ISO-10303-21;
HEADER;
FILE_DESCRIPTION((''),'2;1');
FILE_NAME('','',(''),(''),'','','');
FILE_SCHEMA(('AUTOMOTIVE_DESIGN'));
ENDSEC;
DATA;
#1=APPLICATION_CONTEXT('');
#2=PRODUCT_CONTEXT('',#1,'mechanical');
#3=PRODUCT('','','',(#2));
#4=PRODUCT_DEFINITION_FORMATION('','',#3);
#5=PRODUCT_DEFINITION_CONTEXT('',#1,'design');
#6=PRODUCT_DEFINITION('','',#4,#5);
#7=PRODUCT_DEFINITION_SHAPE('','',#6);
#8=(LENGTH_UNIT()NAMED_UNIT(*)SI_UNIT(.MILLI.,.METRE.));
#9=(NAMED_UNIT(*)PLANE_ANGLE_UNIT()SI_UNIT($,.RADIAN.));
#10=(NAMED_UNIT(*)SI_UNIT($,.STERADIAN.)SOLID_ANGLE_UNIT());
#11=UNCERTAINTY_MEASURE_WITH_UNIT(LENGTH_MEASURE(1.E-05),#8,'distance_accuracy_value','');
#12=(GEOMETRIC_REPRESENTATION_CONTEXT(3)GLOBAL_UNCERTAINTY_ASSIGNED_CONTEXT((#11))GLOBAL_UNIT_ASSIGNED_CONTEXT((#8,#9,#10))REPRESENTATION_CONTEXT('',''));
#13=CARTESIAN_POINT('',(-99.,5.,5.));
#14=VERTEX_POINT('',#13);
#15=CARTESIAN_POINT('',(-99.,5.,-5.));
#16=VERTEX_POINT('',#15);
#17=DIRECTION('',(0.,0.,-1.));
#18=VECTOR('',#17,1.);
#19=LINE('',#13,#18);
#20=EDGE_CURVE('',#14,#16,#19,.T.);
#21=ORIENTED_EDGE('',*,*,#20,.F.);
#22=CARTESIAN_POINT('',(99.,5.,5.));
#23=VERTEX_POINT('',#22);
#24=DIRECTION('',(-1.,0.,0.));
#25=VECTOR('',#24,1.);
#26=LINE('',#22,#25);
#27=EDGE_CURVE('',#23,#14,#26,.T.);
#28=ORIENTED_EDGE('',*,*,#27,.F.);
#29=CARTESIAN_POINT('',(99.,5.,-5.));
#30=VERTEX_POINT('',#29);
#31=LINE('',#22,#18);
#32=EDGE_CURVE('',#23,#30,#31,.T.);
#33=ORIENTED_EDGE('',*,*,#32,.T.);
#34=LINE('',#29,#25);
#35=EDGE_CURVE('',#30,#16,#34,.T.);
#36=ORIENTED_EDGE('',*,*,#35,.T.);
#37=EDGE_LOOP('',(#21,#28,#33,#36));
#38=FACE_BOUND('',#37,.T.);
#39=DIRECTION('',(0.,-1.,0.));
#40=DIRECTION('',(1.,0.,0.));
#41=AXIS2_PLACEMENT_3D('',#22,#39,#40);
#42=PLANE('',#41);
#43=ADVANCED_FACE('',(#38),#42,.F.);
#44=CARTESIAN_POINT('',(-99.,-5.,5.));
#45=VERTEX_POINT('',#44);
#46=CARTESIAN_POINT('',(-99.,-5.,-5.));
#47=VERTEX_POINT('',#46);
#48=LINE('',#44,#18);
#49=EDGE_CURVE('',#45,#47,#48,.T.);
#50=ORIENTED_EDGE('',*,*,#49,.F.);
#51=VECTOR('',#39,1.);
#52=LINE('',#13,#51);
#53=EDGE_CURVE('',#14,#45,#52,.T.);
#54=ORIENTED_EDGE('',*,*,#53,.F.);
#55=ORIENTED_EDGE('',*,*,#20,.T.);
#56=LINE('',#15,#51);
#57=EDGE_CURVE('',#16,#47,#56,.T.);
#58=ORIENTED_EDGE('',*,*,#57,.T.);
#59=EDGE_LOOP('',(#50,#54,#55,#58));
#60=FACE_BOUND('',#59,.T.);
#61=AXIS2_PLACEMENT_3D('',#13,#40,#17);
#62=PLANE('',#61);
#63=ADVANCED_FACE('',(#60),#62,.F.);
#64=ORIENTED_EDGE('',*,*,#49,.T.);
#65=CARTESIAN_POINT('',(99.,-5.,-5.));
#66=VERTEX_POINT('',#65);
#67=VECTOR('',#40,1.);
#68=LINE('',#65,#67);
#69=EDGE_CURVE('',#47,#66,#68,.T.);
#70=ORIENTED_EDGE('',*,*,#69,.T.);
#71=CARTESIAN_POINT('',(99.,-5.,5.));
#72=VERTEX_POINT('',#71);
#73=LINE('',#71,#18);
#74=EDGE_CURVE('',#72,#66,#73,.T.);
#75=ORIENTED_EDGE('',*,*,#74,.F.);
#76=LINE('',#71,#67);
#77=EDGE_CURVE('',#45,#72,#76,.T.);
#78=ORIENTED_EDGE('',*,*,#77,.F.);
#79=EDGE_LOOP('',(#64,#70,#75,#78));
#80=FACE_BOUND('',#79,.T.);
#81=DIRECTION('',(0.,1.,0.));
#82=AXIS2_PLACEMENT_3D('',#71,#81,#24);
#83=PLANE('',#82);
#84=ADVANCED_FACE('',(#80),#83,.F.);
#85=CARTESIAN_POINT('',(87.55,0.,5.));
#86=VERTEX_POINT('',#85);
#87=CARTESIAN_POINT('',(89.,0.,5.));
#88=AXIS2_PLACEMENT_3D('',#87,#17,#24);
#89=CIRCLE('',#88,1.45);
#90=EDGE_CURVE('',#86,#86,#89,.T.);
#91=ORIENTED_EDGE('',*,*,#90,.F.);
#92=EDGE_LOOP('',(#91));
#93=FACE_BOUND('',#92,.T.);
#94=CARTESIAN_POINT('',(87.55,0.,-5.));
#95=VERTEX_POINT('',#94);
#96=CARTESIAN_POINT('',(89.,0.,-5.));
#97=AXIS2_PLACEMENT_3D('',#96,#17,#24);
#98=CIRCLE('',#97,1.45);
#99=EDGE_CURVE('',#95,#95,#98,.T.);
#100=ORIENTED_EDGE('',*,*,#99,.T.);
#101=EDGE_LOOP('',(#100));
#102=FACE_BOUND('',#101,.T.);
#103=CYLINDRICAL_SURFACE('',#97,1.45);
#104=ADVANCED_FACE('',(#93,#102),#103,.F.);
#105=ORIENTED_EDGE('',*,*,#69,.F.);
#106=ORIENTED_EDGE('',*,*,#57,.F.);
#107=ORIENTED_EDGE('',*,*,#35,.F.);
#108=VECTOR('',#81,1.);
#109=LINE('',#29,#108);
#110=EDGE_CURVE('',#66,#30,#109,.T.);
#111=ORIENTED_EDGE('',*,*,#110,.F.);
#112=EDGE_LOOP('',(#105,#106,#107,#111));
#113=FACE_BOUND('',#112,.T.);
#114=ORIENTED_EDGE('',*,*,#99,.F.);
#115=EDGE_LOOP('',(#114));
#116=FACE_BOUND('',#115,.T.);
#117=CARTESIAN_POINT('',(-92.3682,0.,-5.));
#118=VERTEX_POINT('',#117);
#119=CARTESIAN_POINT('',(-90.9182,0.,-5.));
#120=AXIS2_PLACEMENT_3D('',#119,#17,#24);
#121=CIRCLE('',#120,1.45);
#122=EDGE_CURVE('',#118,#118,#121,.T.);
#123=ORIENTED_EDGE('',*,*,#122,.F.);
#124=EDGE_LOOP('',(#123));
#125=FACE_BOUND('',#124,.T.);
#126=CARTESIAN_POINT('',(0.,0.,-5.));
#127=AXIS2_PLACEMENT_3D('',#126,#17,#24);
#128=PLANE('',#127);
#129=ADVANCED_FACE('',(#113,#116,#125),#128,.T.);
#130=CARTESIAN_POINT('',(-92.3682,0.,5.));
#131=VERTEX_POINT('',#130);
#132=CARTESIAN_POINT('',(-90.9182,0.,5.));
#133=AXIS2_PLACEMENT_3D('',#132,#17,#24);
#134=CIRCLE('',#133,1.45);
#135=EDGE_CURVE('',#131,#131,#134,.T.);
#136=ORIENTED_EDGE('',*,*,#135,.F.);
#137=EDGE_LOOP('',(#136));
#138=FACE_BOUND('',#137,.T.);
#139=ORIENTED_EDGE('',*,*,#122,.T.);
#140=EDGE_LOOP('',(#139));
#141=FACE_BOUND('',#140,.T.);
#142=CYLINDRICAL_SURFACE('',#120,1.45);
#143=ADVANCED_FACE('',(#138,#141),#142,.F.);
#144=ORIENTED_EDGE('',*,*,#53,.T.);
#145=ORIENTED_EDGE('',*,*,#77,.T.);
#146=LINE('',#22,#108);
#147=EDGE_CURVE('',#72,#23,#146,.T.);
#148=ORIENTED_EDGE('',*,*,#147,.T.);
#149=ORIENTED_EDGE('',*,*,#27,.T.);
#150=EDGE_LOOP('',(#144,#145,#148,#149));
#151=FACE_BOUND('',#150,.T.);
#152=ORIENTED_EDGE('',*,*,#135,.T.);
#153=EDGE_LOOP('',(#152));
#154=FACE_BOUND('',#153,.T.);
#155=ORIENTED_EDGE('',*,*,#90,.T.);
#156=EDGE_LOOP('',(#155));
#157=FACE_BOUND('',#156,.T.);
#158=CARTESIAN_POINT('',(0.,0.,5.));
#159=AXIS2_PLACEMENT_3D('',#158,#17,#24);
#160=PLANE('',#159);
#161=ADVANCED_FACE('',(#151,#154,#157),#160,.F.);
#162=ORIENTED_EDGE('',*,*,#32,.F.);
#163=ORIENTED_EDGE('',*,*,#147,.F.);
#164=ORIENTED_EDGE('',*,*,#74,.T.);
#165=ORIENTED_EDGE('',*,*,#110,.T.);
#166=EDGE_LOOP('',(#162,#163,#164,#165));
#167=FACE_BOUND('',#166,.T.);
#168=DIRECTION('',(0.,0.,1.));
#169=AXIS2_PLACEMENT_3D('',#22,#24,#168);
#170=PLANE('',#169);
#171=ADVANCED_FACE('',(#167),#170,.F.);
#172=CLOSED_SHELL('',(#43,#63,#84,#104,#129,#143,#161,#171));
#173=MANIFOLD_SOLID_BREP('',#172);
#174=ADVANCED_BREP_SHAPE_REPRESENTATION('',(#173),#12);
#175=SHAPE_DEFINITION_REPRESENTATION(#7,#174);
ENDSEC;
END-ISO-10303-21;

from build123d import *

# Parameters (mm, degrees)
SKETCH1_W              = 198
SKETCH1_H              = 10
BOSS_EXTRUDE1_DEPTH    = 5
M2_5_CLEARANCE_HOLE1_D = 2.9


with BuildPart() as part:
    # Sketch1 → Boss-Extrude1 (new, symmetric)
    with BuildSketch(Plane.XY):
        Rectangle(SKETCH1_W, SKETCH1_H)
    extrude(amount=BOSS_EXTRUDE1_DEPTH, both=True)

    # M2.5 Clearance Hole1 (through all)
    with Locations(Plane(origin=(0, 0, -5), x_dir=(-1, 0, 0), z_dir=(0, 0, -1))):
        with Locations((-89, 0), (90.9182, 0)):
            Hole(M2_5_CLEARANCE_HOLE1_D / 2)


solid = part.part
